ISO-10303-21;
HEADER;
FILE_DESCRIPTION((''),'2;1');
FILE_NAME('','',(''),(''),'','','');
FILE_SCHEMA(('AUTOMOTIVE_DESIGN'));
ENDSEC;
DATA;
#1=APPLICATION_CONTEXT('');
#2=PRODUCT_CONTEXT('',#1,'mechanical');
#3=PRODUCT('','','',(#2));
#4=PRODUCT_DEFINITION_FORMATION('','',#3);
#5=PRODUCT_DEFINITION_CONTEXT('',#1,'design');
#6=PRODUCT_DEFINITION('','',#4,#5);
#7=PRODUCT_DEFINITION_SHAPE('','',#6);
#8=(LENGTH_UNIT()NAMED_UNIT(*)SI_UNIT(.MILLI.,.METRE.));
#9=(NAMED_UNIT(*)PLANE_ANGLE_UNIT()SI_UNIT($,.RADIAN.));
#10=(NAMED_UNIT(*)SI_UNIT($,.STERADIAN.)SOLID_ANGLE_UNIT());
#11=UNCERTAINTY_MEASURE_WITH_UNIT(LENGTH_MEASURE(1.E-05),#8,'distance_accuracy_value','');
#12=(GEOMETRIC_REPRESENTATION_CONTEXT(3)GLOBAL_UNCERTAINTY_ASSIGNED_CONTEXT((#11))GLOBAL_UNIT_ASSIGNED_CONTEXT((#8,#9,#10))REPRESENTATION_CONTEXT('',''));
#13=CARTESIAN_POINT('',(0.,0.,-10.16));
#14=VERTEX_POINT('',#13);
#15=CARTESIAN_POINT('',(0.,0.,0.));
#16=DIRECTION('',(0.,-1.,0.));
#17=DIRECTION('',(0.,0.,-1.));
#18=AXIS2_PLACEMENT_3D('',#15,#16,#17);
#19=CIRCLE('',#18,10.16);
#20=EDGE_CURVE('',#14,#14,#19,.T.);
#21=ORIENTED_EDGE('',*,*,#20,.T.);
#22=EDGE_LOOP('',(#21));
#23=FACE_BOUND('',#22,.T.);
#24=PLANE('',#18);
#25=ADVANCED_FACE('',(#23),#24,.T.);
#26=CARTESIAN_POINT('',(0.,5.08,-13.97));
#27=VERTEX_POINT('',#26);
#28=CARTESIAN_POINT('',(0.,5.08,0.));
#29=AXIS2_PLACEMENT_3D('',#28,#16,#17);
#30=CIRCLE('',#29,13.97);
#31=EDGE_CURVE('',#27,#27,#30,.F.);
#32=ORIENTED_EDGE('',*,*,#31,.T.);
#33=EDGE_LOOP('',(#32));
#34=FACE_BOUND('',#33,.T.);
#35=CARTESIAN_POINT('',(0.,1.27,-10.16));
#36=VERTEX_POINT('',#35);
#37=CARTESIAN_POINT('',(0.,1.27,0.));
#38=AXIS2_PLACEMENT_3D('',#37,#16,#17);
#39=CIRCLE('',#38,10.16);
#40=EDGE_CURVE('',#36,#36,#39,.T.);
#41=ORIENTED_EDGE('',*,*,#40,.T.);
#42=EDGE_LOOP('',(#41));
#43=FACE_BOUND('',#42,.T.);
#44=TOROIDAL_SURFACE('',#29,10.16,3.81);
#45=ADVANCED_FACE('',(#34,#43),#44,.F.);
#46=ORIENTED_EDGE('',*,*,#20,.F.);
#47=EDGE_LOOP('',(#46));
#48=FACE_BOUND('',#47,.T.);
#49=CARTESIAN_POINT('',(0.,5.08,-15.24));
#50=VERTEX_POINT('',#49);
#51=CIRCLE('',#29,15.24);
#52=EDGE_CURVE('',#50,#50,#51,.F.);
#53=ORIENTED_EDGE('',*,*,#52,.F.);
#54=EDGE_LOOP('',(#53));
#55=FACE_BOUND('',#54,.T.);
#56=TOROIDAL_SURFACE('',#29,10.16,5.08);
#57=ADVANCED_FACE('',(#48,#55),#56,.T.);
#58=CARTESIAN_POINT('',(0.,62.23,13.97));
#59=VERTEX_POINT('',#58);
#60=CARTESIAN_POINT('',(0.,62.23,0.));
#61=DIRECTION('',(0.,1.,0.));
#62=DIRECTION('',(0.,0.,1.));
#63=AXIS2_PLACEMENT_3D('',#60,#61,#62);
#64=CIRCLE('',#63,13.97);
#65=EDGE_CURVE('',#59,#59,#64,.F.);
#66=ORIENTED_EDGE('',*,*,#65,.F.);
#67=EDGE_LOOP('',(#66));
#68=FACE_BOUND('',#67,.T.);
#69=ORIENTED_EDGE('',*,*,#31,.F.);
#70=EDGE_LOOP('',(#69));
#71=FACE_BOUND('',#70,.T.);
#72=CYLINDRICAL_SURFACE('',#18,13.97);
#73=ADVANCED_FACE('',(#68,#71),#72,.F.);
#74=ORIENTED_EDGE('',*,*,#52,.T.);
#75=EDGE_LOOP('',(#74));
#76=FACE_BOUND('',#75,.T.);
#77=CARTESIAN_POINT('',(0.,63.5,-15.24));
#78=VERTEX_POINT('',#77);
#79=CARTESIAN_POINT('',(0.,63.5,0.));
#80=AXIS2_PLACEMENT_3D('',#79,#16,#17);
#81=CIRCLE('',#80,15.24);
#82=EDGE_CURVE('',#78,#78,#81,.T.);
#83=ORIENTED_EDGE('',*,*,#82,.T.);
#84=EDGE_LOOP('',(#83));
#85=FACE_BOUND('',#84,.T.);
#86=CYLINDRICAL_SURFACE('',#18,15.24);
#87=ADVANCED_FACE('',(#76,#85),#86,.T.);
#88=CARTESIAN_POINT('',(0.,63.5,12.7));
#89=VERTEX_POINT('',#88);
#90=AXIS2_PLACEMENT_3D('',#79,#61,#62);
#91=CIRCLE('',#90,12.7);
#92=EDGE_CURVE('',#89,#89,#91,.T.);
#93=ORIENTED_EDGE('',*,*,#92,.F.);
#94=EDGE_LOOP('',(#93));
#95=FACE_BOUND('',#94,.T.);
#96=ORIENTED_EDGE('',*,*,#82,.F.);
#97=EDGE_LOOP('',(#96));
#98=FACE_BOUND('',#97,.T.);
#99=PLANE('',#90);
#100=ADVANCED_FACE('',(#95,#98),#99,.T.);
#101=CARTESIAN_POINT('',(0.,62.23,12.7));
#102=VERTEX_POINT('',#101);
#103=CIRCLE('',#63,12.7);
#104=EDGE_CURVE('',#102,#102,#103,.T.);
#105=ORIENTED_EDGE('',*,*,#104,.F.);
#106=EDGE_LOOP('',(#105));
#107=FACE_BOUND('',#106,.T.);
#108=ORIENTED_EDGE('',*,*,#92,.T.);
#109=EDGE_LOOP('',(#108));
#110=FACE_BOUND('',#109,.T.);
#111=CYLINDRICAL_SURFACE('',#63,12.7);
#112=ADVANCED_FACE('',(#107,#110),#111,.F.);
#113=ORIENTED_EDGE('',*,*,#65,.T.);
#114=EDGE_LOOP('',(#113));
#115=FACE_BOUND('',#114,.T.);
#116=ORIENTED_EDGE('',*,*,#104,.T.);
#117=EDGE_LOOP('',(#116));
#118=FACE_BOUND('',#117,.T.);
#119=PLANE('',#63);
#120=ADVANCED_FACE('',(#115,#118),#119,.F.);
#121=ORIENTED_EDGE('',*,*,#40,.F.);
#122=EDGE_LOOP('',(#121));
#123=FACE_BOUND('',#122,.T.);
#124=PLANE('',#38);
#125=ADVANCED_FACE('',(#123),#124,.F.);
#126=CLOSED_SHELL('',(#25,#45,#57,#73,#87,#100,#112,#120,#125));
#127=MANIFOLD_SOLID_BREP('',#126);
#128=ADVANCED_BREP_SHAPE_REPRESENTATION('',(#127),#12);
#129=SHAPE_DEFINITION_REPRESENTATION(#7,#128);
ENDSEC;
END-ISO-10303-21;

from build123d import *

# Parameters (mm, degrees)
SKETCH3_W           = 15.24
SKETCH3_H           = 63.5
FILLET5_R           = 5.08
SHELL5_T            = -1.27
SKETCH9_R           = 13.97
SKETCH9_R_2         = 12.7
BOSS_EXTRUDE5_DEPTH = 1.27


with BuildPart() as part:
    # Sketch3 → Revolve1 (revolve)
    with BuildSketch(Plane(origin=(0, 0, 0), x_dir=(0, 0, -1), z_dir=(1, 0, 0))):
        with Locations((7.62, 31.75)):
            Rectangle(SKETCH3_W, SKETCH3_H)
    revolve(axis=Axis((0, 0, 0), (0, 1, 0)))

    # Fillet5
    fillet5_edges = [part.edges().sort_by_distance(p)[0] for p in [
        (0, 0, 15.24),
    ]]
    fillet(fillet5_edges, radius=FILLET5_R)

    # Shell5
    shell5_openings = [part.faces().sort_by_distance(p)[0] for p in [
        (0, 63.5, 0),
    ]]
    offset(amount=SHELL5_T, openings=shell5_openings, kind=Kind.INTERSECTION)

    # Sketch9 → Boss-Extrude5 (add)
    with BuildSketch(Plane(origin=(0, 63.5, 0), x_dir=(1, 0, 0), z_dir=(0, 1, 0))):
        with Locations(Location((0, 0, 0), (0, 0, 90))):
            Circle(SKETCH9_R)
        with Locations(Location((0, 0, 0), (0, 0, 270))):
            Circle(SKETCH9_R_2, mode=Mode.SUBTRACT)
    extrude(amount=-BOSS_EXTRUDE5_DEPTH)


solid = part.part
